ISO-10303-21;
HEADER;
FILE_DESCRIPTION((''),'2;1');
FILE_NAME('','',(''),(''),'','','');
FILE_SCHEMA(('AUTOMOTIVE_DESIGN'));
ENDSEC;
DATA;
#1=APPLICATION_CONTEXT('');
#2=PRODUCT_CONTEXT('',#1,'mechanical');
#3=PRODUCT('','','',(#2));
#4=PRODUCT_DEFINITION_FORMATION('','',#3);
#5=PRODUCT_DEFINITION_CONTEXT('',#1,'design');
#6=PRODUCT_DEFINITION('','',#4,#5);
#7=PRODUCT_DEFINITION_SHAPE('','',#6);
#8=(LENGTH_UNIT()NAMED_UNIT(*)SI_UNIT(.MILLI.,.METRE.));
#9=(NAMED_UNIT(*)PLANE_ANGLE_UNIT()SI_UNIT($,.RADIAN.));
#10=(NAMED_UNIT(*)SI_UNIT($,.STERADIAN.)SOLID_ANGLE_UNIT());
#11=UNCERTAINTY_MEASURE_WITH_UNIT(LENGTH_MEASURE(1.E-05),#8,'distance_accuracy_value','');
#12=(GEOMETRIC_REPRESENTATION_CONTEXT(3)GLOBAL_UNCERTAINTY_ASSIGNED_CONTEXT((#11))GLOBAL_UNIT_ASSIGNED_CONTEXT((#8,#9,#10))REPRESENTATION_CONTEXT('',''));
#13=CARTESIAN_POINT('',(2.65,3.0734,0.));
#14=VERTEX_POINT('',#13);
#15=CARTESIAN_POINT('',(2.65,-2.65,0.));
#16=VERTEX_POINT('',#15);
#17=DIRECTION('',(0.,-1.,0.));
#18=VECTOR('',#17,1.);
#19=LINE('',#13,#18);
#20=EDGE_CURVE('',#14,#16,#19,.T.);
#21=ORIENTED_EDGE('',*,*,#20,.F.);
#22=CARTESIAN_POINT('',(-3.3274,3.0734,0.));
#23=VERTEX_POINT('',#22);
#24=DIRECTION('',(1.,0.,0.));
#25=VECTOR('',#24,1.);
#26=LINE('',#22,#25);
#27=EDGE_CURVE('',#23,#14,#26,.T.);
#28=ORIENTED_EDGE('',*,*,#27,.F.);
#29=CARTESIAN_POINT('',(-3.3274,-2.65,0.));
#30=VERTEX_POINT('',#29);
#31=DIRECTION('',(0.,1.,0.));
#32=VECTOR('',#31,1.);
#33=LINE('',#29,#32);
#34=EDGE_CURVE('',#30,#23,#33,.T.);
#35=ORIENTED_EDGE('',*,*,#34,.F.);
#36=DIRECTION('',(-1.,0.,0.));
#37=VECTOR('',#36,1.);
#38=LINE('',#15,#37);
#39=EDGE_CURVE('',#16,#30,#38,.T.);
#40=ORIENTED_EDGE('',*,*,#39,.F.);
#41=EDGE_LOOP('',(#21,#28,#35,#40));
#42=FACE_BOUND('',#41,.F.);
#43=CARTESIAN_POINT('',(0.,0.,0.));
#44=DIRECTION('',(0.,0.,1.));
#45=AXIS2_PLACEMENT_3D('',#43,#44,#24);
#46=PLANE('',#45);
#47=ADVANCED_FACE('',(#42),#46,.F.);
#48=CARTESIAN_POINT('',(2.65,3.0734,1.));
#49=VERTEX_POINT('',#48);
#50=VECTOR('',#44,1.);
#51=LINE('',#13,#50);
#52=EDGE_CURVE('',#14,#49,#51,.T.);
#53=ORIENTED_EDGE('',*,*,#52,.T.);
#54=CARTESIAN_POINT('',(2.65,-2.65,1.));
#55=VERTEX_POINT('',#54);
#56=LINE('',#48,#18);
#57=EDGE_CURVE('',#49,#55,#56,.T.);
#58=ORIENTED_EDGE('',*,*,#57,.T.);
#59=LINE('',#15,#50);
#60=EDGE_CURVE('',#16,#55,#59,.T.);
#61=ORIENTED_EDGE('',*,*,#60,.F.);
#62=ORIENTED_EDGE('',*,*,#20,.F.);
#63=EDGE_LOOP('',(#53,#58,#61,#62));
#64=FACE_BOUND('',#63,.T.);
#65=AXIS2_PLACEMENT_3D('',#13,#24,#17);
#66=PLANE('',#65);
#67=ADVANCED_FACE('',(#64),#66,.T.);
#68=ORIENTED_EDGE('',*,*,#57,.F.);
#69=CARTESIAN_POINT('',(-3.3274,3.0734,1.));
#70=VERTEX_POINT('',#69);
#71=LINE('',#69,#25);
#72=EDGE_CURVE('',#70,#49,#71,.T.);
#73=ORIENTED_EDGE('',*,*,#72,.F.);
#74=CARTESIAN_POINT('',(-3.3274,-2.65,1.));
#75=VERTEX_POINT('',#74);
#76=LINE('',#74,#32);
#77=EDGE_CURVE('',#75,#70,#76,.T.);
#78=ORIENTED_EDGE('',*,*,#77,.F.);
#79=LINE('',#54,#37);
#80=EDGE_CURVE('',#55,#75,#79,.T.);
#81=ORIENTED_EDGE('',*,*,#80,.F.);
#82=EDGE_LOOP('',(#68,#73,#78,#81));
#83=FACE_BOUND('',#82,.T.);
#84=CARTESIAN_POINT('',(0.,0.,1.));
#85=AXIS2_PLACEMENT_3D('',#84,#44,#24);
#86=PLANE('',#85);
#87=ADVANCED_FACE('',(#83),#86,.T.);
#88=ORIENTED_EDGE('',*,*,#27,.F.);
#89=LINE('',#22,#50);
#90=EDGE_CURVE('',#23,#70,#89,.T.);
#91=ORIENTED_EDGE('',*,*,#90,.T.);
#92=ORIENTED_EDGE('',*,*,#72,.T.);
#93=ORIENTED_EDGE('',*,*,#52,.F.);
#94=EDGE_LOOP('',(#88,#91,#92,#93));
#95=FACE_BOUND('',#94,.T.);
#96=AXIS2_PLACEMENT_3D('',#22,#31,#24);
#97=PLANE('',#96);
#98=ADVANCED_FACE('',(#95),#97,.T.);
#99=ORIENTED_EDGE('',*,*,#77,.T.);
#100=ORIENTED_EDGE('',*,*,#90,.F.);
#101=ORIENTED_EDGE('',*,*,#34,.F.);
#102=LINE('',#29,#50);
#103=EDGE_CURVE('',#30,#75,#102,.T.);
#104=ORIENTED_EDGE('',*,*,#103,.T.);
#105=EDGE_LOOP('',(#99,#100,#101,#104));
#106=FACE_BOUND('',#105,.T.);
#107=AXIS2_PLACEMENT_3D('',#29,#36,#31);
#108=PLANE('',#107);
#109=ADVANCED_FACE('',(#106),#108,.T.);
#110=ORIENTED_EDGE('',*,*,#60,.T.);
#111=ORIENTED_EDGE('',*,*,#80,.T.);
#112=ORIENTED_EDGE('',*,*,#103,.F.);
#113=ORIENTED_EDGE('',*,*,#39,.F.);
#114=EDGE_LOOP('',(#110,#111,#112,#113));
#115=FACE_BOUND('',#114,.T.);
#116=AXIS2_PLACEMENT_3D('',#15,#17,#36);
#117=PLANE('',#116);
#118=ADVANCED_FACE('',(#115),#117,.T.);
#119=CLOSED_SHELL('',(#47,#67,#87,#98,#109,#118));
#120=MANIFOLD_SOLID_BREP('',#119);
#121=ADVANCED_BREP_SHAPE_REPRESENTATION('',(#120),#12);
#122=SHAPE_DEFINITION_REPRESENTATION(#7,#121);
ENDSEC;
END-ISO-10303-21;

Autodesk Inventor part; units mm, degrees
ref_plane "YZ Plane" through (0, 0, 0) normal (1, 0, 0) x (0, 1, 0)
ref_plane "XZ Plane" through (0, 0, 0) normal (0, 1, 0) x (-1, 0, 0)
ref_plane "XY Plane" through (0, 0, 0) normal (0, 0, 1) x (1, 0, 0)
sketch "RHB_S-PQFP-N32, TUSB2046BIRHBIRHB_49" plane through (0, 0, 0) normal (0, 0, 1) x (1, 0, 0)
  line L0 (-3.3274, 3.0734) -> (2.65, 3.0734)
  line L1 (2.65, 3.0734) -> (2.65, -2.65)
  line L2 (2.65, -2.65) -> (-3.3274, -2.65)
  line L3 (-3.3274, -2.65) -> (-3.3274, 3.0734)
extrude "Extrusion1" add sketch "RHB_S-PQFP-N32, TUSB2046BIRHBIRHB_49" along normal blind 1
properties part number "TUSB2046BIRHBIRHB"
